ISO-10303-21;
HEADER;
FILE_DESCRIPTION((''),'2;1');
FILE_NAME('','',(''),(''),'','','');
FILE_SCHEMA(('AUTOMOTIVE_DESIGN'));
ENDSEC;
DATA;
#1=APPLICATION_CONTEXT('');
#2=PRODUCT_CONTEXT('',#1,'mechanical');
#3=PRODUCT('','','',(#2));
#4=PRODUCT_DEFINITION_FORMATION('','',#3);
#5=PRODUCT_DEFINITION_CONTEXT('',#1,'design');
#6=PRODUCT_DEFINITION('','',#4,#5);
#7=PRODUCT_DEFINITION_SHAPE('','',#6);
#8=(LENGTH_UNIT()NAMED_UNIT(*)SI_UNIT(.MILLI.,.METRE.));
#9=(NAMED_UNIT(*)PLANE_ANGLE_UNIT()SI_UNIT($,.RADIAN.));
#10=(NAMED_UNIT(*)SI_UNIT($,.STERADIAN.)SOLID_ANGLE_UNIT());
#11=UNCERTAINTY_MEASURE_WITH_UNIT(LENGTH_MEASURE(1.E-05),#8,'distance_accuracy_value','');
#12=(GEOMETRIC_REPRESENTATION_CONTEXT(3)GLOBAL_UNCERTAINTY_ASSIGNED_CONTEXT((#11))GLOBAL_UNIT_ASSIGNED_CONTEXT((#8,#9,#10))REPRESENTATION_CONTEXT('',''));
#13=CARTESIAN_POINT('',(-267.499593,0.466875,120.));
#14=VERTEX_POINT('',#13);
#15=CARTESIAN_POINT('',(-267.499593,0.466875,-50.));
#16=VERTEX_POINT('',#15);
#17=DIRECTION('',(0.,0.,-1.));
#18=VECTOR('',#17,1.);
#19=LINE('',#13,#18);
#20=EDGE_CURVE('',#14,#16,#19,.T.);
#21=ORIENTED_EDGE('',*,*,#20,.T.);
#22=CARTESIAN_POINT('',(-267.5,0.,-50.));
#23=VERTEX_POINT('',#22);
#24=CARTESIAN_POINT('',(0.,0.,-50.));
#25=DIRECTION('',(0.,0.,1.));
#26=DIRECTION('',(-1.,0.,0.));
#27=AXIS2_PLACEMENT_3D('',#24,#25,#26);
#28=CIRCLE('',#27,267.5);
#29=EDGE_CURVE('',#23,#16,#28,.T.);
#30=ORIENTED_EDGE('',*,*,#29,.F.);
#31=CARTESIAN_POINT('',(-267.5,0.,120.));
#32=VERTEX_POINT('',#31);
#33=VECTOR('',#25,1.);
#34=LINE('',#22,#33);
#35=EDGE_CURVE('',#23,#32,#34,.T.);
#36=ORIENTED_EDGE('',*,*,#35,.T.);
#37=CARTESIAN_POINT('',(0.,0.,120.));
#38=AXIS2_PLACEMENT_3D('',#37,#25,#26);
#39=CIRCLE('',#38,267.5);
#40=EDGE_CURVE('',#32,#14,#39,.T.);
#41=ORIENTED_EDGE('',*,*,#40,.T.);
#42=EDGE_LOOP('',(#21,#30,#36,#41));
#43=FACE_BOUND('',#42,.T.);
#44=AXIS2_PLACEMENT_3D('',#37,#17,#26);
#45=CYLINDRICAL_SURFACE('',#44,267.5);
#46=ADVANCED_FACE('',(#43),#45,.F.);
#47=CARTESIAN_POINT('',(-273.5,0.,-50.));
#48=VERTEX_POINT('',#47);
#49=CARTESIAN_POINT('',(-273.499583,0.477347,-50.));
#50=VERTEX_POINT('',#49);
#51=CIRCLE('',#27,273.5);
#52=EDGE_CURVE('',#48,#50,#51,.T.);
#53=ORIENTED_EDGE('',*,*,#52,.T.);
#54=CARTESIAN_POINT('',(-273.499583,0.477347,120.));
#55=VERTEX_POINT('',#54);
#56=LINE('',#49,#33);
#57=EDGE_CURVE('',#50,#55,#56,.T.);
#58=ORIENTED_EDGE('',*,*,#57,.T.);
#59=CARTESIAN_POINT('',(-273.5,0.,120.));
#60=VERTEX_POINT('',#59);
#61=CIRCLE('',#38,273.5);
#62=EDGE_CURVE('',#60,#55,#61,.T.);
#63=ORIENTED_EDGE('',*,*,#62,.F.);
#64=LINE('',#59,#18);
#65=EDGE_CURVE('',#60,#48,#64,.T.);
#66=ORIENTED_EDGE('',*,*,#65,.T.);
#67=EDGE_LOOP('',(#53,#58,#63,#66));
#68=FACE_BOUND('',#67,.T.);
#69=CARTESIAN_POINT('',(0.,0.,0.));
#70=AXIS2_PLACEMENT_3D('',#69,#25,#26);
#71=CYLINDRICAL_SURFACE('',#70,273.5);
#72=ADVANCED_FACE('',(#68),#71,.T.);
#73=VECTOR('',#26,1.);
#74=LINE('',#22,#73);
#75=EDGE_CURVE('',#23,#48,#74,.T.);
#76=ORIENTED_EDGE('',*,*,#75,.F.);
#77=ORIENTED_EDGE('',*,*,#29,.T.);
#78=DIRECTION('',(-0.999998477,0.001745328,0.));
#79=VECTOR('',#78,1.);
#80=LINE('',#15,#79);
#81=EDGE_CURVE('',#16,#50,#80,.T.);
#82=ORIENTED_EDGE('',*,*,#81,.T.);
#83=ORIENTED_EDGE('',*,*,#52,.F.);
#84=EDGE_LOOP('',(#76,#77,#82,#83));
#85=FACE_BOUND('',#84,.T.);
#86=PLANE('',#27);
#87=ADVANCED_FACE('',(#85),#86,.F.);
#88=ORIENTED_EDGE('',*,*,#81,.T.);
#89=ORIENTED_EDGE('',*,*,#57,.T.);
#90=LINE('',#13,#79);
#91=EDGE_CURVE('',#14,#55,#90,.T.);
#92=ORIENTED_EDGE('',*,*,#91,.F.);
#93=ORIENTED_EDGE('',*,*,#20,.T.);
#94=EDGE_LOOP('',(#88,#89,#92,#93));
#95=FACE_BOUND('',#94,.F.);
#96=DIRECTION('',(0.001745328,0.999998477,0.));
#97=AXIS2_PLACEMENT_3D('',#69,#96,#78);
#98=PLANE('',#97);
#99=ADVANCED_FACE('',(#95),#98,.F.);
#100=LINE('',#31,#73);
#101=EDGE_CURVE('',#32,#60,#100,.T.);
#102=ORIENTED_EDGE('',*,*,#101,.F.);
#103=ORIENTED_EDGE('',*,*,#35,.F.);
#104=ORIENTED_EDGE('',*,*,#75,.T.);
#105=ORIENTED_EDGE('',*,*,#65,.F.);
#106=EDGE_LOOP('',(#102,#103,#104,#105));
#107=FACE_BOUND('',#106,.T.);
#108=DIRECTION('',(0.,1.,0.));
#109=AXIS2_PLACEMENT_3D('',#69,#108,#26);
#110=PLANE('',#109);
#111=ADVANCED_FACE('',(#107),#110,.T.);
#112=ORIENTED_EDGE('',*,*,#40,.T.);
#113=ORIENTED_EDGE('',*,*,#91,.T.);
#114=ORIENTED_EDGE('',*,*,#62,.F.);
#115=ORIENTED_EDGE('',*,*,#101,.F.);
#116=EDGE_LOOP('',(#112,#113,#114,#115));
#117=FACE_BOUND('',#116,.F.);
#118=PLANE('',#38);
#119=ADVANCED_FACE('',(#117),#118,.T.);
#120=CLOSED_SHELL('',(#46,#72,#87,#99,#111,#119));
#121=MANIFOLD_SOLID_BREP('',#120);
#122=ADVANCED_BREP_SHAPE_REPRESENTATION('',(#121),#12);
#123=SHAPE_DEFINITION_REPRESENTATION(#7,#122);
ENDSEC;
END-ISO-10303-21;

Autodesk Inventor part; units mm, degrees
ref_plane "YZ Plane" through (0, 0, 0) normal (1, 0, 0) x (0, 1, 0)
ref_plane "XZ Plane" through (0, 0, 0) normal (0, 1, 0) x (-1, 0, 0)
ref_plane "XY Plane" through (0, 0, 0) normal (0, 0, 1) x (1, 0, 0)
sketch "Sketch1" plane through (0, 0, 0) normal (0, 1, 0) x (-1, 0, 0)
  line L0 (267.5, 120) -> (267.5, 0)
  line L1 (267.5, 0) -> (273.5, 0)
  line L2 (0, 0) -> (0, 109.131)
  line L3 (267.5, 120) -> (273.5, 120)
  line L4 (273.5, 0) -> (273.5, 120)
  line L5 (273.5, 0) -> (267.5, 0)
  line L6 (267.5, 0) -> (267.5, -50)
  line L7 (267.5, -50) -> (273.5, -50)
  line L8 (273.5, -50) -> (273.5, 0)
  point P0 (270.5, 0)
  point P1 (273.5, 0)
  point P2 (267.5, 0)
  dimension "d6" = 359.9
  dimension "d3" = 6
  dimension "d4" = 535
  dimension "d5" = 120
  dimension "d7" = 6
  dimension "d8" = 50
revolve "Revolution1" add sketch "Sketch1" angle 359.9 about axis through (0, 0, 0) along (0, 0, 1)
sketch "Sketch2" plane through (0, 0, 0) normal (0, 1, 0) x (-1, 0, 0)
  circle A0 centre (0, -476) radius 476
  point P0 (0, 0)
  dimension "d6" = 359.9
  dimension "d9" = 952
extrude "Extrusion1" [suppressed]
equation "\"d4\" = Accsess_hatch_diameter"
equation "\"d5\" = Accsess_hatch_lenght"
equation "\"d7\" = d3"
equation "\"Accsess_hatch_lenght\" = 120"
equation "\"Accsess_hatch_diameter\" = 535"
equation "\"BendRadius\" = Thickness"
equation "\"BendReliefWidth\" = Thickness"
equation "\"BendReliefDepth\" = 0.5 * Thickness"
equation "\"CornerReliefSize\" = 4 * Thickness"
equation "\"MinimumRemnant\" = 2 * Thickness"
equation "\"TransitionRadius\" = BendRadius"
equation "\"JacobiRadiusSize\" = BendRadius"
equation "\"GapSize\" = Thickness"
equation "\"Thickness\" = 6"
properties part number "PRS 8103 accses hatch tube_940"
